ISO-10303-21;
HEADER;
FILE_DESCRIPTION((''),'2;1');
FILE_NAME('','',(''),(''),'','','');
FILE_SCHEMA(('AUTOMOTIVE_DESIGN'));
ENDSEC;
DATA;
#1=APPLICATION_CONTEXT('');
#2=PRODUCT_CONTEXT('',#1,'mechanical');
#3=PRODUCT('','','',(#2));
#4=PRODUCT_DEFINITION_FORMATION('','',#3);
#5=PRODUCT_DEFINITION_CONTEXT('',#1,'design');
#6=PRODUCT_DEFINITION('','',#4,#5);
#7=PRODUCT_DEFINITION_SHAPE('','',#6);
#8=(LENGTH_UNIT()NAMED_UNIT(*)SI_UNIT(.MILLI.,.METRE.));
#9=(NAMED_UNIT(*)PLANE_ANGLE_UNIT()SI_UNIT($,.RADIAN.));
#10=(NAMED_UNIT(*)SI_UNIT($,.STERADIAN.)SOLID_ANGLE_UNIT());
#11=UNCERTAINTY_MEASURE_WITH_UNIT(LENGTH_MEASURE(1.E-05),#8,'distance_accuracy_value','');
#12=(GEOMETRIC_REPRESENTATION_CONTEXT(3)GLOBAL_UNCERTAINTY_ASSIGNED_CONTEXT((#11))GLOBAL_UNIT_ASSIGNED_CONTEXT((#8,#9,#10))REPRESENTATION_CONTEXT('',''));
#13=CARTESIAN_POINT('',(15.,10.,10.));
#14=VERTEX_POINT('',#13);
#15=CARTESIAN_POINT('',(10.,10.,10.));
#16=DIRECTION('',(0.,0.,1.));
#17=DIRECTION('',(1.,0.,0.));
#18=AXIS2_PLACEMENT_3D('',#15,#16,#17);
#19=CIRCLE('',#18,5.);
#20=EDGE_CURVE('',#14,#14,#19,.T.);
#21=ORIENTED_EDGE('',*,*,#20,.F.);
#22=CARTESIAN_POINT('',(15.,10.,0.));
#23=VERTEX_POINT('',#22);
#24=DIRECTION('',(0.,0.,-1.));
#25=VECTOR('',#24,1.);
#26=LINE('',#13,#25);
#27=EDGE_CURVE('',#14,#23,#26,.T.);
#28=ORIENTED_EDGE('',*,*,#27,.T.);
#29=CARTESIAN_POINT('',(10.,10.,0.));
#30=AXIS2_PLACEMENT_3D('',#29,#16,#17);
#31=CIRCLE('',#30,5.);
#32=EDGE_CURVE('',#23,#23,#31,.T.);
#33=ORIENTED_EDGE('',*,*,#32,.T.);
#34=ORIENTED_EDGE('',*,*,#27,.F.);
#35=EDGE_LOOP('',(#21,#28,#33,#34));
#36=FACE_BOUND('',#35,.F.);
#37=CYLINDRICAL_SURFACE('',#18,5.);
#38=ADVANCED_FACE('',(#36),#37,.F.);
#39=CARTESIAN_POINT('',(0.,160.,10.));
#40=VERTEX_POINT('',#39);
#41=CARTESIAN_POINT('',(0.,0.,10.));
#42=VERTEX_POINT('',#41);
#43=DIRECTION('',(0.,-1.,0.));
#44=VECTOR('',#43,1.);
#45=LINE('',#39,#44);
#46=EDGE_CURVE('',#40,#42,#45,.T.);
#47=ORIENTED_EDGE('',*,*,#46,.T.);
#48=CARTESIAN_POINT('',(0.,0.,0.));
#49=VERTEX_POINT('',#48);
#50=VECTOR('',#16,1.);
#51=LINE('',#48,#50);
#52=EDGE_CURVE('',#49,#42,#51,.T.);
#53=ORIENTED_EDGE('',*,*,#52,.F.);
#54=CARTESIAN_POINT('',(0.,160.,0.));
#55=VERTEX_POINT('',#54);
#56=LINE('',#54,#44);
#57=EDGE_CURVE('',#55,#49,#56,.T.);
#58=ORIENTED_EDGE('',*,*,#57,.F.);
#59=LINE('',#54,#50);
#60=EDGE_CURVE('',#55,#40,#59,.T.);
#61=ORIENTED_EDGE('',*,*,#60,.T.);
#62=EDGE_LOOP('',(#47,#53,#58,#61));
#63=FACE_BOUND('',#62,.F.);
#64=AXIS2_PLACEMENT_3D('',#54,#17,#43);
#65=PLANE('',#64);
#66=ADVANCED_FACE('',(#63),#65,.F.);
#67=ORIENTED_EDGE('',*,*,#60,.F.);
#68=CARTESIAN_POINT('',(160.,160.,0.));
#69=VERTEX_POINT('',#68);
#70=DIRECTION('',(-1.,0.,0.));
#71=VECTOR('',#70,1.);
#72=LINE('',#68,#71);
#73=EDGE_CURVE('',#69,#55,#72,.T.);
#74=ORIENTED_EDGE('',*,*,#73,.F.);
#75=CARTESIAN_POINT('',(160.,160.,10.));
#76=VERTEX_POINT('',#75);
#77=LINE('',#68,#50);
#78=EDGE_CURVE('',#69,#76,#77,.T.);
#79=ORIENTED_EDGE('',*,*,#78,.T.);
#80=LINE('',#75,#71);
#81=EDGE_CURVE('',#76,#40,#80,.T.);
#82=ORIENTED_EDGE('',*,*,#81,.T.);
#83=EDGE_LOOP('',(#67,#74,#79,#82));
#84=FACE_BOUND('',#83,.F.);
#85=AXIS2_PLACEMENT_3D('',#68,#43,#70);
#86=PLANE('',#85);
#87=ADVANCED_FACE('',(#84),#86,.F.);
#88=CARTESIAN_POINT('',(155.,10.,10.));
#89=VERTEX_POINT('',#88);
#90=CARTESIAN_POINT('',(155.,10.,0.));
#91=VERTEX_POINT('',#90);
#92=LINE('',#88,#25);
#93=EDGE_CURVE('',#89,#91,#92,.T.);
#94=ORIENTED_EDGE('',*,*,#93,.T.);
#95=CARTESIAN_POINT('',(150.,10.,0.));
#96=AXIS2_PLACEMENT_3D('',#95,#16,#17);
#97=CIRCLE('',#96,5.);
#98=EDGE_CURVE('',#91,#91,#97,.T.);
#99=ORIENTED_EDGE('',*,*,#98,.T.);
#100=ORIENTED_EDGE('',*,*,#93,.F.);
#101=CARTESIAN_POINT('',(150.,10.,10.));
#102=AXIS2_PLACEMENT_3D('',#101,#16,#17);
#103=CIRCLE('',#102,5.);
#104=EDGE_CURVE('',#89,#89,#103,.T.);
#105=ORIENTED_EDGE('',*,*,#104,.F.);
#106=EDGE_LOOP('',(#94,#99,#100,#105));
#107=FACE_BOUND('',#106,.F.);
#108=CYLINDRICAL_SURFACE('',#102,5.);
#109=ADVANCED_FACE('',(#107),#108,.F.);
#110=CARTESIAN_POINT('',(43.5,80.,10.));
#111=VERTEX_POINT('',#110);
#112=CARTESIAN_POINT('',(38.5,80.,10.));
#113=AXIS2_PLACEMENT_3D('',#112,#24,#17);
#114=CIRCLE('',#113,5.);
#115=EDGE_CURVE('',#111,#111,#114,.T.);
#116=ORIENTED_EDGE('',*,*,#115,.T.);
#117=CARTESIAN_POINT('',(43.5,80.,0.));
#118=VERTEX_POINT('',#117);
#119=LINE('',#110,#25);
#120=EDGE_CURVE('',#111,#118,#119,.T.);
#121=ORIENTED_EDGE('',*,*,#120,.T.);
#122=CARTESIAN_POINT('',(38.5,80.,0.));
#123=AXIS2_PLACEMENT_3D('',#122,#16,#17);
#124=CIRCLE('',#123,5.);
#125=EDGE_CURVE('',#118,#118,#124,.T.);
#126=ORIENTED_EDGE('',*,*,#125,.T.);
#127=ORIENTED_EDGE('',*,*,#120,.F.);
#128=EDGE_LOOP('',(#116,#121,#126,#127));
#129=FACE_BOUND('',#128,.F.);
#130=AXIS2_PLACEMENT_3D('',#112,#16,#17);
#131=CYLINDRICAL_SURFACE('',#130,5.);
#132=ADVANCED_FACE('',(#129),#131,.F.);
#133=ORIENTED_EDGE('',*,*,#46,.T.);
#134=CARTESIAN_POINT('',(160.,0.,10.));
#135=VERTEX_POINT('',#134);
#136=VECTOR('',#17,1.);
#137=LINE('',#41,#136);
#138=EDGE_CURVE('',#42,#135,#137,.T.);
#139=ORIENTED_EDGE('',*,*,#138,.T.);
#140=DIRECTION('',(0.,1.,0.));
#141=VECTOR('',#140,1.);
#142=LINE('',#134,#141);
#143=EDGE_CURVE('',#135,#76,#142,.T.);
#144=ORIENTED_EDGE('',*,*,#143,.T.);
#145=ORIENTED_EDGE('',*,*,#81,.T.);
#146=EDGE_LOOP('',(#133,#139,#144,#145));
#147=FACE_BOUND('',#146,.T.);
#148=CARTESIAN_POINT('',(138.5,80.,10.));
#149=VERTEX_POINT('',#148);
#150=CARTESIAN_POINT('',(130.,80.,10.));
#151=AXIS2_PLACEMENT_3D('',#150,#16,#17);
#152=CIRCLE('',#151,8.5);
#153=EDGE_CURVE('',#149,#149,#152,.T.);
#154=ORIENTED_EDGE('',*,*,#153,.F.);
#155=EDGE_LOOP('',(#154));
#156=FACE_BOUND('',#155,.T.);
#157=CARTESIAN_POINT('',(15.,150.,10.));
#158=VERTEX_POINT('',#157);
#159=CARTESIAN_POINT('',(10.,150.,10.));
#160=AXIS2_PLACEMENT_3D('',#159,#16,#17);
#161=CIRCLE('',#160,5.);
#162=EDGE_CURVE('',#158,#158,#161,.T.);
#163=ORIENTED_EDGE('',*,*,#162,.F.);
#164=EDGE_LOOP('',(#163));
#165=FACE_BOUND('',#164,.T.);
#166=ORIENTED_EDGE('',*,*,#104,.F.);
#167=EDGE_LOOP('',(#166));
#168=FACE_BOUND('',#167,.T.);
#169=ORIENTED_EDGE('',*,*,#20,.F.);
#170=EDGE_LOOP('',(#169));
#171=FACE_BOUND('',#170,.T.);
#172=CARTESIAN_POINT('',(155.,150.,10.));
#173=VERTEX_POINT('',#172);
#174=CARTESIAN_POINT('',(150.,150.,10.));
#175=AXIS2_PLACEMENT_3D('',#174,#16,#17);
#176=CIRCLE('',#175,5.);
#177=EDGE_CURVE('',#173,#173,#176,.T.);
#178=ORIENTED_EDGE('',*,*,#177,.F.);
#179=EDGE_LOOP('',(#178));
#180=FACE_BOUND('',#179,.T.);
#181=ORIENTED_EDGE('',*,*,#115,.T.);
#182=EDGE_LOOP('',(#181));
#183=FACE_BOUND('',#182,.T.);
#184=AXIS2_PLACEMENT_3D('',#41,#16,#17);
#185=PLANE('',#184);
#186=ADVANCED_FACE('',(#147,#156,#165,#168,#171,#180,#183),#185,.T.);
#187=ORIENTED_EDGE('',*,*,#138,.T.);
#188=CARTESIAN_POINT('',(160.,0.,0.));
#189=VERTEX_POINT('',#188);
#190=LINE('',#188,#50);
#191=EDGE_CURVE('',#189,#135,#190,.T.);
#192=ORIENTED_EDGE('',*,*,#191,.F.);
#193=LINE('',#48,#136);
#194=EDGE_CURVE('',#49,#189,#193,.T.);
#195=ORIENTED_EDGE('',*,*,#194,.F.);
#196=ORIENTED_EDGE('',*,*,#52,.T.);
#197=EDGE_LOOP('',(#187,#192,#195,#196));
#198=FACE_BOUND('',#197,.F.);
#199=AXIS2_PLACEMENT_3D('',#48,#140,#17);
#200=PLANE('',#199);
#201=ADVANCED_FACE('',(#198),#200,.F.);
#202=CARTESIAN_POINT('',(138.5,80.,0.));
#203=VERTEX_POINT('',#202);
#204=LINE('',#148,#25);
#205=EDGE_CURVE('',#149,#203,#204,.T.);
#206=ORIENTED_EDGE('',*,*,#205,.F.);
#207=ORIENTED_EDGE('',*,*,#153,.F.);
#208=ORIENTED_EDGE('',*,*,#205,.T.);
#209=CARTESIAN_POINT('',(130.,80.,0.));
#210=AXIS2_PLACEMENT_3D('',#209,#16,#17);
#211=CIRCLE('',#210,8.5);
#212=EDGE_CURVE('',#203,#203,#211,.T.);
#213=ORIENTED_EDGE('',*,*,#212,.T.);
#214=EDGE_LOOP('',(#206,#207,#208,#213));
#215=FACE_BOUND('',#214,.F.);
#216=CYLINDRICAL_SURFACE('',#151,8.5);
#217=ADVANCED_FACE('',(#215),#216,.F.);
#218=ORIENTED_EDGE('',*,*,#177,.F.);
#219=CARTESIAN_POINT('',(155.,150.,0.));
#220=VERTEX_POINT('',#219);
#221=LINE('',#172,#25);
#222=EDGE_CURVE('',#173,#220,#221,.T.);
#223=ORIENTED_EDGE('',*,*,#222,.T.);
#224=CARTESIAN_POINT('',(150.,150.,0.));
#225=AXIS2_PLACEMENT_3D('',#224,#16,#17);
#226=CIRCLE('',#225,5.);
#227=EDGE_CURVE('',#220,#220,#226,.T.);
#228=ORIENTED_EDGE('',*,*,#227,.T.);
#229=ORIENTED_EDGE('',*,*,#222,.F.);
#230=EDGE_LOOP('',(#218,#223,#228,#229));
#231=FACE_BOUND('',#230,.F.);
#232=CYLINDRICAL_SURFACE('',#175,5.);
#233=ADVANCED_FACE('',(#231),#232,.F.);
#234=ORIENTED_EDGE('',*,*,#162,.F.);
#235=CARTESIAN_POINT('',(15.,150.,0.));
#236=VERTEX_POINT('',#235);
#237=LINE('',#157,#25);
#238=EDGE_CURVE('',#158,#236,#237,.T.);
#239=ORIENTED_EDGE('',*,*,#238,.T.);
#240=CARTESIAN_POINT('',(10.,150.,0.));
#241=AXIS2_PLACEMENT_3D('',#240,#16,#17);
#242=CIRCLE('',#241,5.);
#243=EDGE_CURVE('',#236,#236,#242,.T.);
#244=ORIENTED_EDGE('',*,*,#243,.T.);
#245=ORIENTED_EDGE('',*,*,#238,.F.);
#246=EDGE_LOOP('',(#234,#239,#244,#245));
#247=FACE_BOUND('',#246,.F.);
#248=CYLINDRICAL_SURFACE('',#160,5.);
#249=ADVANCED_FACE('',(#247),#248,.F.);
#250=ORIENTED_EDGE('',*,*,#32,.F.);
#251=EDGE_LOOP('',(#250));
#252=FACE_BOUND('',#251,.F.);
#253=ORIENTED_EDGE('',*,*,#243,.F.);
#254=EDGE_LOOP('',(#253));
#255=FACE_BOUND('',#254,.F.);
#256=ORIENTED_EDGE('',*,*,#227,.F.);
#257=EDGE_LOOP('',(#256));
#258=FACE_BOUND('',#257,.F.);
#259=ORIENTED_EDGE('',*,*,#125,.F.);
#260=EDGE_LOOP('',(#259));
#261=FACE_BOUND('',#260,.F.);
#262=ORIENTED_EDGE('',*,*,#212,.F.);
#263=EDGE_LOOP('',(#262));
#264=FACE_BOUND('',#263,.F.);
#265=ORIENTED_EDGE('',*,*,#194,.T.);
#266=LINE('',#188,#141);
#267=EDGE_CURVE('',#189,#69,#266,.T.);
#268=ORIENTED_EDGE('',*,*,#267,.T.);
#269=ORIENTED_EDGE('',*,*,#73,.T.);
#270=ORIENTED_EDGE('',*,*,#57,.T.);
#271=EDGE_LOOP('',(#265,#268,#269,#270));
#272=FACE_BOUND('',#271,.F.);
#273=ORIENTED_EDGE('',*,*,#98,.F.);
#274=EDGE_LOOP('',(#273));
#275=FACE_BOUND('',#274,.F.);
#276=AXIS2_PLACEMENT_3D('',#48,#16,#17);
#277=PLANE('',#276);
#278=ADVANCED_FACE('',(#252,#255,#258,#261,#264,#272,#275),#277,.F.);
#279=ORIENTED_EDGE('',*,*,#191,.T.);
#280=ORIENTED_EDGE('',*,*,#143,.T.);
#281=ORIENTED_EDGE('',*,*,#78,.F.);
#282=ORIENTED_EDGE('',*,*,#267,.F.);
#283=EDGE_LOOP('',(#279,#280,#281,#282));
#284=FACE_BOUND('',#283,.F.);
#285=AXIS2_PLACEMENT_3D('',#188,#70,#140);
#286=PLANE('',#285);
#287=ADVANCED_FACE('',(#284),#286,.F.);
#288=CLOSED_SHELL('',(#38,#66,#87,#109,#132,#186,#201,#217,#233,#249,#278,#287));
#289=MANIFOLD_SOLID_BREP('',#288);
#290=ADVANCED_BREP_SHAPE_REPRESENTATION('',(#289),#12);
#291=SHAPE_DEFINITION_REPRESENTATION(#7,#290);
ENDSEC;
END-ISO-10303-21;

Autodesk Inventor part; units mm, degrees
ref_plane "YZ Plane" through (0, 0, 0) normal (1, 0, 0) x (0, 1, 0)
ref_plane "XZ Plane" through (0, 0, 0) normal (0, 1, 0) x (-1, 0, 0)
ref_plane "XY Plane" through (0, 0, 0) normal (0, 0, 1) x (1, 0, 0)
sketch "Sketch1" plane through (0, 0, 0) normal (0, 0, 1) x (1, 0, 0)
  line L0 (0, 0) -> (160, 0)
  line L1 (160, 0) -> (160, 160)
  line L2 (160, 160) -> (0, 160)
  line L3 (0, 160) -> (0, 0)
  dimension "d0" = 160
  dimension "d1" = 160
extrude "Extrusion1" add sketch "Sketch1" along normal blind 10
sketch "Sketch2" plane through (0, 0, 10) normal (0, 0, 1) x (1, 0, 0)
  line L0 (0, 160) -> (0, 0) projected
  line L1 (0, 0) -> (10, 0)
  line L2 (0, 0) -> (160, 0) projected
  line L3 (10, 0) -> (10, 150)
  line L4 (10, 150) -> (150, 150)
  line L5 (150, 150) -> (150, 10)
  line L6 (150, 10) -> (10, 10)
  line L7 (0, 0) -> (0, 10)
  line L8 (0, 0) -> (0, 2)
  line L9 (160, 160) -> (0, 160) projected
  line L10 (0, 160) -> (0, 121.5)
  line L11 (0, 160) -> (0, 80)
  line L12 (0, 80) -> (38.5, 80)
  circle A0 centre (38.5, 80) radius 5
  line L13 (160, 0) -> (160, 80)
  line L14 (160, 80) -> (130, 80)
  circle A1 centre (130, 80) radius 8.5
  dimension "d4" = 10
  dimension "d5" = 150
  dimension "d6" = 140
  dimension "d7" = 140
  dimension "d8" = 38.5
  dimension "d9" = 80
  dimension "d10" = 38.5
  dimension "d11" = 10
  dimension "d12" = 80
  dimension "d13" = 30
  dimension "d14" = 17
sketch "Sketch3" plane through (0, 0, 10) normal (0, 0, 1) x (1, 0, 0)
  circle A0 centre (10, 10) radius 5
  circle A1 centre (10, 150) radius 5
  circle A2 centre (150, 150) radius 5
  circle A3 centre (150, 10) radius 5
  point P0 (0, 0)
  dimension "d15" = 10
  dimension "d16" = 10
  dimension "d17" = 10
  dimension "d18" = 10
extrude "Extrusion2" cut sketch "Sketch3" against normal through all
extrude "Extrusion3" cut sketch "Sketch2" against normal through all contours A1 | A0
properties part number "cappingsystem 3rd part"
